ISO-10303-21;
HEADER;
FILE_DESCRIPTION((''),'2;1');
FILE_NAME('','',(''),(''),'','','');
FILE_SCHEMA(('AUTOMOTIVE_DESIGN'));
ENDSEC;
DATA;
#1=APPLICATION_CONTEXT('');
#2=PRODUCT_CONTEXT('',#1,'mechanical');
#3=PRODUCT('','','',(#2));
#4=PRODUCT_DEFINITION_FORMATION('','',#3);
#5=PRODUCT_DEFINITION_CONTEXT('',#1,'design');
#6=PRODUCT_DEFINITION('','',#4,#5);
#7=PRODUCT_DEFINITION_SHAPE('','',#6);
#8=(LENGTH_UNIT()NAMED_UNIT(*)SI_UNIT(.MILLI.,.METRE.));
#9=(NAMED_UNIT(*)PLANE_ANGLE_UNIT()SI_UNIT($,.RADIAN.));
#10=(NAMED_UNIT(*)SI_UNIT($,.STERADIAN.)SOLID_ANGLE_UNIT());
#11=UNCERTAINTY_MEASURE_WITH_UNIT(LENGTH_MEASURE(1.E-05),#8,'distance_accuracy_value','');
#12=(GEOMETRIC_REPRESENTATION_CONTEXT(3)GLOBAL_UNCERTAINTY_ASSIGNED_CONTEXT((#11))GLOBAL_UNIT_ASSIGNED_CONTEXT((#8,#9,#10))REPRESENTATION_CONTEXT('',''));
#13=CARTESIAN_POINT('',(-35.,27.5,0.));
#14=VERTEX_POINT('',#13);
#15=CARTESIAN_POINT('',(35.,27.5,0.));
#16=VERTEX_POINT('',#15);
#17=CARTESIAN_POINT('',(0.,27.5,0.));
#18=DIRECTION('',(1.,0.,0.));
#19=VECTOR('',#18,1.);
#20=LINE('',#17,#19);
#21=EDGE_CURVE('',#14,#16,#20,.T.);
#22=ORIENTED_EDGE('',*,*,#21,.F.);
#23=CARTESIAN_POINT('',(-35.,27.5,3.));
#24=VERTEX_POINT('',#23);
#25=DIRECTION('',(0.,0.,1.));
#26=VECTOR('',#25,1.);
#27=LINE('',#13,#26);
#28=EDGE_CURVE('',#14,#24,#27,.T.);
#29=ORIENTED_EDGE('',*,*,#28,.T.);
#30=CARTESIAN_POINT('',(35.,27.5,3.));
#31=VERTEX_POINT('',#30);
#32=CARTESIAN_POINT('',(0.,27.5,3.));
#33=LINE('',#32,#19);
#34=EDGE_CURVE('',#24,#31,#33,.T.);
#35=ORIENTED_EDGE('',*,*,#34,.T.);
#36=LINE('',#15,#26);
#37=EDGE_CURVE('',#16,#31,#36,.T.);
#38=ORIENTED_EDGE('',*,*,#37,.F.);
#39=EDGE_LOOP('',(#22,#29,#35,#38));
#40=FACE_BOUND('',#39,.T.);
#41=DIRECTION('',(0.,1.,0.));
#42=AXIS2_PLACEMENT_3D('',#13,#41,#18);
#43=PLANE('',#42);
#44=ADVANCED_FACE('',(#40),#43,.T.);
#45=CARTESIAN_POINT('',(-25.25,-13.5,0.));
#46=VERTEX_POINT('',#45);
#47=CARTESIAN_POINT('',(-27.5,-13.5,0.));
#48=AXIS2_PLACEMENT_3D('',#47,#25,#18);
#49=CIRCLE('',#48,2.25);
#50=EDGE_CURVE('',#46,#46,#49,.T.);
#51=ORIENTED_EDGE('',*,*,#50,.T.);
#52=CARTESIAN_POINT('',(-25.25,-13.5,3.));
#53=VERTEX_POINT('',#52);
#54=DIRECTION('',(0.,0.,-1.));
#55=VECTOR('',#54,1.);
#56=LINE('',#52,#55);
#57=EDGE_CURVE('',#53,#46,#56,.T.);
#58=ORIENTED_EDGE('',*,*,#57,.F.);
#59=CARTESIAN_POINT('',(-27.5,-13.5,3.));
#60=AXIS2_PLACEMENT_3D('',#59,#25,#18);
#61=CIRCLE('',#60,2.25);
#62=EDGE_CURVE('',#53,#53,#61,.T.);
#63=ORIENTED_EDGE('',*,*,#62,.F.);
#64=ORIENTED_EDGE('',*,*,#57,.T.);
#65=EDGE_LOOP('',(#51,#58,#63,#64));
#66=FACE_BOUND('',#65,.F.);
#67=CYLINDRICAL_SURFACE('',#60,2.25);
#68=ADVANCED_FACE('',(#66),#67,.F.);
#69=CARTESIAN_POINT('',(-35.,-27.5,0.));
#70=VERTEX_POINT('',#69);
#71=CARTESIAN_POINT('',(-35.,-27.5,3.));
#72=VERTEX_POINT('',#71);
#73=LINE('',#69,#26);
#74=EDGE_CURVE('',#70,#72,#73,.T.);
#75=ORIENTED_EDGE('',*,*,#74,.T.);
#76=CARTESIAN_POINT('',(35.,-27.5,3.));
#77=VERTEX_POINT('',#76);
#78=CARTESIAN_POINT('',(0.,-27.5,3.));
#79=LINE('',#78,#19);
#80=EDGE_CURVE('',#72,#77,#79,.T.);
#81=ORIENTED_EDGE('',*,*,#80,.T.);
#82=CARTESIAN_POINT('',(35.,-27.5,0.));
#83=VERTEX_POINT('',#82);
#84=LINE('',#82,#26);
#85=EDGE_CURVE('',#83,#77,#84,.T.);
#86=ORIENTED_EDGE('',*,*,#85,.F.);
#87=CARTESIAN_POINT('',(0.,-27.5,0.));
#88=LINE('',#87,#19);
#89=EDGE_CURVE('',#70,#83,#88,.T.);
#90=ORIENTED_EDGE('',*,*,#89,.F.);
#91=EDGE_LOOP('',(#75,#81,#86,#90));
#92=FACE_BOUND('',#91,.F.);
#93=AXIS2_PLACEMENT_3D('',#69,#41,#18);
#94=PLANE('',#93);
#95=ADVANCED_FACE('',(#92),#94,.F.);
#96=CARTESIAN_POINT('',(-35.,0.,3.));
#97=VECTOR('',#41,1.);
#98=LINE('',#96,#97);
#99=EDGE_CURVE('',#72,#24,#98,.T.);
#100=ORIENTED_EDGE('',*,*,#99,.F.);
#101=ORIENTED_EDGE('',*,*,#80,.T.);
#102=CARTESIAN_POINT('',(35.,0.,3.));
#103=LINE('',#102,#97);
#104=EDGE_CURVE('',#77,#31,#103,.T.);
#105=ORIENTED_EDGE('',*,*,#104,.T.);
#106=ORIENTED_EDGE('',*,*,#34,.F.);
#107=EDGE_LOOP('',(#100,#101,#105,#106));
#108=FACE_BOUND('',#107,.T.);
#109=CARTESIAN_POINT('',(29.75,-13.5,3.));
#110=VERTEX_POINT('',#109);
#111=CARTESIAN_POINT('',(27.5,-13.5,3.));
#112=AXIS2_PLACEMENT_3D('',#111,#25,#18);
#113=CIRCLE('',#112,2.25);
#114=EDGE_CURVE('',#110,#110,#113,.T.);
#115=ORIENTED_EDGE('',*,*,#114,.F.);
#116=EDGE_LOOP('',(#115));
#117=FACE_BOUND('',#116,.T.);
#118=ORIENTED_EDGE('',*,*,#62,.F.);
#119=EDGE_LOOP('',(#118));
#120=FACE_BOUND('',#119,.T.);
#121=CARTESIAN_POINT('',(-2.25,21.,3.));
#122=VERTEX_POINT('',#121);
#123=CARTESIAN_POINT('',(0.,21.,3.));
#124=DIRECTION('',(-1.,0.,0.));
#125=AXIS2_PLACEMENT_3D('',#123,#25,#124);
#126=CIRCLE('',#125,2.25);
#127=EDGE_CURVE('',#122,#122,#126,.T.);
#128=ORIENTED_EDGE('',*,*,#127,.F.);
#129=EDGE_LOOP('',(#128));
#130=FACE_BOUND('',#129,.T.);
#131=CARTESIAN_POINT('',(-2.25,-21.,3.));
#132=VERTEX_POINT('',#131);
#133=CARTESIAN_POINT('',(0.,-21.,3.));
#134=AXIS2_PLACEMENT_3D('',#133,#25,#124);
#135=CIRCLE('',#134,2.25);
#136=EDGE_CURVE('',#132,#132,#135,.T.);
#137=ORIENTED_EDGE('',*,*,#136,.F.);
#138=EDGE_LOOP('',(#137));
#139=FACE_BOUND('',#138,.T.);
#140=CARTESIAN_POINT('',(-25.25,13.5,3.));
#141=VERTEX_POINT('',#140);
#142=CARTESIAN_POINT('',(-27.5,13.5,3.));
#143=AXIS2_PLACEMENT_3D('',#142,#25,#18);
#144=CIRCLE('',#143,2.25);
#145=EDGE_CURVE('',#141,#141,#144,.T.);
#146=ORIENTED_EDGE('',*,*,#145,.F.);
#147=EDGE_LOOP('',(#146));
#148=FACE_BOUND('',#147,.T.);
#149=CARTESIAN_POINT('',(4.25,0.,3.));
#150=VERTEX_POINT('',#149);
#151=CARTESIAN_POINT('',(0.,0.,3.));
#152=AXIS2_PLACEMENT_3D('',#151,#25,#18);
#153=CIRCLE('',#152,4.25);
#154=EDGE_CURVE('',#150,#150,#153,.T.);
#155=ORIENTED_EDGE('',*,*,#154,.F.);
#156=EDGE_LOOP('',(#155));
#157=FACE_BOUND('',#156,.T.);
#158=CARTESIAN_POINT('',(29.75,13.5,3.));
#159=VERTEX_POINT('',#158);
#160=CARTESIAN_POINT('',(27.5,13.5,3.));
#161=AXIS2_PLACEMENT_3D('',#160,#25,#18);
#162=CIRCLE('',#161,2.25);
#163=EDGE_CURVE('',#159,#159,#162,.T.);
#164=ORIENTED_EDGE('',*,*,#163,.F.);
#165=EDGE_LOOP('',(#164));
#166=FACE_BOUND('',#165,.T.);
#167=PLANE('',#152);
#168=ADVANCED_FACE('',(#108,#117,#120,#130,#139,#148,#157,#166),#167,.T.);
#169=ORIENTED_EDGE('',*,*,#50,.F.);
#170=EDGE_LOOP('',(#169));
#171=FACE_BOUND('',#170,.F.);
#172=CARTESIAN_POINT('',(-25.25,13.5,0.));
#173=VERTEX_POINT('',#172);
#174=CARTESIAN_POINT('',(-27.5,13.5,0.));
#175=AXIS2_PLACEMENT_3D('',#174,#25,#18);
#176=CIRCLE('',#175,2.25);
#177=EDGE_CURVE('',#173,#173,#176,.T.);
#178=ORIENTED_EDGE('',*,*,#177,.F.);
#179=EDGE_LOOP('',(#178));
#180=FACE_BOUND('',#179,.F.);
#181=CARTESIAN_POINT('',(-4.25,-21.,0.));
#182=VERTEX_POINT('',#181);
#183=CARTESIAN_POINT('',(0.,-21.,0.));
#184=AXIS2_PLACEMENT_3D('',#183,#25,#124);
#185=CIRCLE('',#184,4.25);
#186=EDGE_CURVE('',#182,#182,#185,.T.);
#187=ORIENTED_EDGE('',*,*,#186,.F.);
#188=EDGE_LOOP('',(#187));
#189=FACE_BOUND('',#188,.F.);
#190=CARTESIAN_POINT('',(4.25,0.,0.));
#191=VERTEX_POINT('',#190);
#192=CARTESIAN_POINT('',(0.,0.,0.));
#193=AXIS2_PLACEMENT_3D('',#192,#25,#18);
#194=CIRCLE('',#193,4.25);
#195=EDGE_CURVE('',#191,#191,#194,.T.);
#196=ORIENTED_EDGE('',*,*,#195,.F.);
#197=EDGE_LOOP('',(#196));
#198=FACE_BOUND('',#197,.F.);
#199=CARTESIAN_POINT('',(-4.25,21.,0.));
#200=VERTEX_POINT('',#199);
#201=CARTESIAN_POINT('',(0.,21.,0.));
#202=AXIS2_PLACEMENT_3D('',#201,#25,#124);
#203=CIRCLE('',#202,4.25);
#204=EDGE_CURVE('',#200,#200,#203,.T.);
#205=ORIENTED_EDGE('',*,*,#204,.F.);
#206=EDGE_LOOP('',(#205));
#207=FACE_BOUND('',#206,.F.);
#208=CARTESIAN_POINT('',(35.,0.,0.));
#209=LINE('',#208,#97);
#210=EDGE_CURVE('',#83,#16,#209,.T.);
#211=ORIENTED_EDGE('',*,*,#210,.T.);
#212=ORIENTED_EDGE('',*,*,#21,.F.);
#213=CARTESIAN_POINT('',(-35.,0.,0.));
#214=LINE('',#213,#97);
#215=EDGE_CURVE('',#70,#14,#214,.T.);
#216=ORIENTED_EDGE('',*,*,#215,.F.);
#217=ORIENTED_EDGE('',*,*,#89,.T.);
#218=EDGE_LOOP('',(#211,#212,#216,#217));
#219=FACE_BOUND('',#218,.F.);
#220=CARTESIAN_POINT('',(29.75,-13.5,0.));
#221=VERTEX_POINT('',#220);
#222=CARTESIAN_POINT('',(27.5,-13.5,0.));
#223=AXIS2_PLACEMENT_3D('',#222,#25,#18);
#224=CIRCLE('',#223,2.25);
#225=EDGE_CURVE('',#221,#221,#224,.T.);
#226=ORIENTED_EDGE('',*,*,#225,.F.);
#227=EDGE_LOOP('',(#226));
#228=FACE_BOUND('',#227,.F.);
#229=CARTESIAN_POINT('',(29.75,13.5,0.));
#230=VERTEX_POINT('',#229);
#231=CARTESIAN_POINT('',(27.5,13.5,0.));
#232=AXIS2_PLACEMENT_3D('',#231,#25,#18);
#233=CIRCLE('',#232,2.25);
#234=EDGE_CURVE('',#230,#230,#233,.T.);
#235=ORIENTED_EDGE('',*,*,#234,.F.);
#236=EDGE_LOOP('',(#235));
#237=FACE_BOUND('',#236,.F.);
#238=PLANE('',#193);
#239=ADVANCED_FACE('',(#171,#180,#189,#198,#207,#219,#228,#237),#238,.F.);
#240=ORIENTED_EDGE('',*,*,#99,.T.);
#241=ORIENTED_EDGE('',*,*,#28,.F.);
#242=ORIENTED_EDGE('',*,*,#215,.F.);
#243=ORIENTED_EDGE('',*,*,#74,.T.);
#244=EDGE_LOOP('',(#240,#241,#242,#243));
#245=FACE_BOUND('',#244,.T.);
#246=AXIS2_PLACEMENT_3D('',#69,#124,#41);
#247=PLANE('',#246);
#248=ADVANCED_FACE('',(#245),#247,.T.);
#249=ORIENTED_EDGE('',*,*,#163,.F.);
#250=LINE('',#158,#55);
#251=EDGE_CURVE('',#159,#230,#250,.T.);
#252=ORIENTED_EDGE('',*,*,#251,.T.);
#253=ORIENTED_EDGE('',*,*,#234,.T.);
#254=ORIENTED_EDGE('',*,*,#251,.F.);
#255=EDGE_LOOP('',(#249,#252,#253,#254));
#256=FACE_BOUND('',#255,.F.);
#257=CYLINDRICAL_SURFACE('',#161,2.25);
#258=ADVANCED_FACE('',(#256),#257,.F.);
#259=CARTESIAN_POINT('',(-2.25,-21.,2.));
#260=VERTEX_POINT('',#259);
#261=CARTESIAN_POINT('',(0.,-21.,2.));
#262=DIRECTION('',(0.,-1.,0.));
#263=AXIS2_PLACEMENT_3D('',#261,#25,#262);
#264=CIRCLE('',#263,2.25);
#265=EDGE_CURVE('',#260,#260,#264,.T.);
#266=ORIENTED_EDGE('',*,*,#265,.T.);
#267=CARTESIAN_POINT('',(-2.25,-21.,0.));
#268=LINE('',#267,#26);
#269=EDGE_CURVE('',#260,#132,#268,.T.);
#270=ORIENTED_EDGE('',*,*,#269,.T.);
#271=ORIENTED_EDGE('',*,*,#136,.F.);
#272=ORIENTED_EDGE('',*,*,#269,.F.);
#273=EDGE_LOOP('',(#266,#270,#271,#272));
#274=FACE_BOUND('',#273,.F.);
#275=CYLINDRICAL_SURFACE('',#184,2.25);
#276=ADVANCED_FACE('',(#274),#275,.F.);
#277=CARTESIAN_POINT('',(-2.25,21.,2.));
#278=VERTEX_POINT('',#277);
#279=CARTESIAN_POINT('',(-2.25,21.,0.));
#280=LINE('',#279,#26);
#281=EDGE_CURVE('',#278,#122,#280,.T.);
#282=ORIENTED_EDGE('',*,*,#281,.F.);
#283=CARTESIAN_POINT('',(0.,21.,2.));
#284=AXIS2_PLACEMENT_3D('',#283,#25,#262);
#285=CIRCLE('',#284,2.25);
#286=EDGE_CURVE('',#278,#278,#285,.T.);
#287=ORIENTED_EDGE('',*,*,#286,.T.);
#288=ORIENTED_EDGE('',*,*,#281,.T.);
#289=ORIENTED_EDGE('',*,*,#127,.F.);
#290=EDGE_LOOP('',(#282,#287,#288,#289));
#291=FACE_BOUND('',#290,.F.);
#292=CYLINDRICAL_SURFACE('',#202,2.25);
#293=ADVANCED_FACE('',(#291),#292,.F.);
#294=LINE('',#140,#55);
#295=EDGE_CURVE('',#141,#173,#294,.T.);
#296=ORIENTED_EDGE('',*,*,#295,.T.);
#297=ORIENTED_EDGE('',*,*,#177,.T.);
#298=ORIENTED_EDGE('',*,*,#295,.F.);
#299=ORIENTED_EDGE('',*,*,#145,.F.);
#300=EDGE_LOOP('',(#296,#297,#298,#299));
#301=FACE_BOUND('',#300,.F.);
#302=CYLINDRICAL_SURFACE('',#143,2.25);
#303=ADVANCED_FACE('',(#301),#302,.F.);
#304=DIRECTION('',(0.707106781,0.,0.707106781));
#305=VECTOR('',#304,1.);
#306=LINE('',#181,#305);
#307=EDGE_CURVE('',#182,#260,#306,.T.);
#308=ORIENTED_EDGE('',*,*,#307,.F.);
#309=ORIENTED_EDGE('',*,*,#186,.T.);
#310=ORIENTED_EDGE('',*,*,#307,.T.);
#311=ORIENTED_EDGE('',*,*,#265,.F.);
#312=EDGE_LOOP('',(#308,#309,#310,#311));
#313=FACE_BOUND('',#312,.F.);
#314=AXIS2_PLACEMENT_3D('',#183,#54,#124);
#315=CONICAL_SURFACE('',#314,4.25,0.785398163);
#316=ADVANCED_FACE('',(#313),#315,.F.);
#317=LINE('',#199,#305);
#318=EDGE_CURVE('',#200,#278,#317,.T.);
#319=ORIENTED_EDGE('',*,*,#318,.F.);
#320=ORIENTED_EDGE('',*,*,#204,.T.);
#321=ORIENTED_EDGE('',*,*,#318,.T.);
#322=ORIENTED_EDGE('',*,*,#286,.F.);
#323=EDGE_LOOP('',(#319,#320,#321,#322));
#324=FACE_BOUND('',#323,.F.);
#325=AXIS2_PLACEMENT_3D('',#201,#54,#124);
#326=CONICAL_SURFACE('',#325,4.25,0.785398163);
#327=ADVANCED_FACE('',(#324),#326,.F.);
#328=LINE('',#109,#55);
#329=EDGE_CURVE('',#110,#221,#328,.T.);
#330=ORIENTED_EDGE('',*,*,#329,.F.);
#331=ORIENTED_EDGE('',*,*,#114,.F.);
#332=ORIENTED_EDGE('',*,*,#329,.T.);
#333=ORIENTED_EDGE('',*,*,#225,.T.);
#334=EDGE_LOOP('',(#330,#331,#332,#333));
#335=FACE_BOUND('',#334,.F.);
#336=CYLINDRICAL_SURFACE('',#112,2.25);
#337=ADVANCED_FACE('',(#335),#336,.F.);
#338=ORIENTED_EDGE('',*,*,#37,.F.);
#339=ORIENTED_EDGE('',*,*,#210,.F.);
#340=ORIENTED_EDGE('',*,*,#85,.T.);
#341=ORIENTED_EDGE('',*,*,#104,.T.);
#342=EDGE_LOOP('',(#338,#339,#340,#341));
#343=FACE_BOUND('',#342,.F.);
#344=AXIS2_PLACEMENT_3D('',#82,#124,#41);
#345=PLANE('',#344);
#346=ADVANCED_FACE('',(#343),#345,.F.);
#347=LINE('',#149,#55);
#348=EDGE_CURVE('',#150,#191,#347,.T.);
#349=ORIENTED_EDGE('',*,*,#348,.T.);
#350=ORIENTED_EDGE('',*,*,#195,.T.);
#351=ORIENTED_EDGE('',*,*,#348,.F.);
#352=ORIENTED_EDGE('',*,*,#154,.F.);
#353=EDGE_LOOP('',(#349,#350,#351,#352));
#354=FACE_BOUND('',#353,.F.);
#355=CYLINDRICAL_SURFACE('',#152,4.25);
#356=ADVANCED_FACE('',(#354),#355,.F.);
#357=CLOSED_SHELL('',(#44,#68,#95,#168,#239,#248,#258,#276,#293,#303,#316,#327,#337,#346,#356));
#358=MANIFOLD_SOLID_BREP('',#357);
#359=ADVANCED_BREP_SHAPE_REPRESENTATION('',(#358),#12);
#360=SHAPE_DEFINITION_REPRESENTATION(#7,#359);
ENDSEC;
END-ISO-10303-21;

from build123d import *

# Parameters (mm, degrees)
SKETCH_W            = 70
SKETCH_H            = 55
PAD_DEPTH           = 3
SKETCH001_R         = 2.25
HOLE_DEPTH          = 25
HOLE001_D           = 4.5
HOLE001_DEPTH       = 25
HOLE001_CSINK_D     = 8.5
HOLE001_CSINK_ANGLE = 90
SKETCH003_R         = 4.25
HOLE002_DEPTH       = 25


with BuildPart() as part:
    # Sketch → Pad (new body)
    with BuildSketch(Plane.XY):
        Rectangle(SKETCH_W, SKETCH_H)
    extrude(amount=PAD_DEPTH)

    # Sketch001 (on Face6 of Pad) → Hole (cut)
    with BuildSketch(Plane.XY.offset(3)):
        with Locations((-27.5, 13.5)):
            Circle(SKETCH001_R)
        with Locations((-27.5, -13.5)):
            Circle(SKETCH001_R)
        with Locations((27.5, 13.5)):
            Circle(SKETCH001_R)
        with Locations((27.5, -13.5)):
            Circle(SKETCH001_R)
    extrude(amount=-HOLE_DEPTH, mode=Mode.SUBTRACT)

    # Hole001
    with Locations(Plane(origin=(0, 0, 0), x_dir=(1, 0, 0), z_dir=(0, 0, -1))):
        with Locations((0, 21), (0, -21)):
            CounterSinkHole(HOLE001_D / 2, HOLE001_CSINK_D / 2, depth=HOLE001_DEPTH, counter_sink_angle=HOLE001_CSINK_ANGLE)

    # Sketch003 (on Face5 of Hole001) → Hole002 (cut)
    with BuildSketch(Plane.XY.offset(3)):
        Circle(SKETCH003_R)
    extrude(amount=-HOLE002_DEPTH, mode=Mode.SUBTRACT)


solid = part.part
